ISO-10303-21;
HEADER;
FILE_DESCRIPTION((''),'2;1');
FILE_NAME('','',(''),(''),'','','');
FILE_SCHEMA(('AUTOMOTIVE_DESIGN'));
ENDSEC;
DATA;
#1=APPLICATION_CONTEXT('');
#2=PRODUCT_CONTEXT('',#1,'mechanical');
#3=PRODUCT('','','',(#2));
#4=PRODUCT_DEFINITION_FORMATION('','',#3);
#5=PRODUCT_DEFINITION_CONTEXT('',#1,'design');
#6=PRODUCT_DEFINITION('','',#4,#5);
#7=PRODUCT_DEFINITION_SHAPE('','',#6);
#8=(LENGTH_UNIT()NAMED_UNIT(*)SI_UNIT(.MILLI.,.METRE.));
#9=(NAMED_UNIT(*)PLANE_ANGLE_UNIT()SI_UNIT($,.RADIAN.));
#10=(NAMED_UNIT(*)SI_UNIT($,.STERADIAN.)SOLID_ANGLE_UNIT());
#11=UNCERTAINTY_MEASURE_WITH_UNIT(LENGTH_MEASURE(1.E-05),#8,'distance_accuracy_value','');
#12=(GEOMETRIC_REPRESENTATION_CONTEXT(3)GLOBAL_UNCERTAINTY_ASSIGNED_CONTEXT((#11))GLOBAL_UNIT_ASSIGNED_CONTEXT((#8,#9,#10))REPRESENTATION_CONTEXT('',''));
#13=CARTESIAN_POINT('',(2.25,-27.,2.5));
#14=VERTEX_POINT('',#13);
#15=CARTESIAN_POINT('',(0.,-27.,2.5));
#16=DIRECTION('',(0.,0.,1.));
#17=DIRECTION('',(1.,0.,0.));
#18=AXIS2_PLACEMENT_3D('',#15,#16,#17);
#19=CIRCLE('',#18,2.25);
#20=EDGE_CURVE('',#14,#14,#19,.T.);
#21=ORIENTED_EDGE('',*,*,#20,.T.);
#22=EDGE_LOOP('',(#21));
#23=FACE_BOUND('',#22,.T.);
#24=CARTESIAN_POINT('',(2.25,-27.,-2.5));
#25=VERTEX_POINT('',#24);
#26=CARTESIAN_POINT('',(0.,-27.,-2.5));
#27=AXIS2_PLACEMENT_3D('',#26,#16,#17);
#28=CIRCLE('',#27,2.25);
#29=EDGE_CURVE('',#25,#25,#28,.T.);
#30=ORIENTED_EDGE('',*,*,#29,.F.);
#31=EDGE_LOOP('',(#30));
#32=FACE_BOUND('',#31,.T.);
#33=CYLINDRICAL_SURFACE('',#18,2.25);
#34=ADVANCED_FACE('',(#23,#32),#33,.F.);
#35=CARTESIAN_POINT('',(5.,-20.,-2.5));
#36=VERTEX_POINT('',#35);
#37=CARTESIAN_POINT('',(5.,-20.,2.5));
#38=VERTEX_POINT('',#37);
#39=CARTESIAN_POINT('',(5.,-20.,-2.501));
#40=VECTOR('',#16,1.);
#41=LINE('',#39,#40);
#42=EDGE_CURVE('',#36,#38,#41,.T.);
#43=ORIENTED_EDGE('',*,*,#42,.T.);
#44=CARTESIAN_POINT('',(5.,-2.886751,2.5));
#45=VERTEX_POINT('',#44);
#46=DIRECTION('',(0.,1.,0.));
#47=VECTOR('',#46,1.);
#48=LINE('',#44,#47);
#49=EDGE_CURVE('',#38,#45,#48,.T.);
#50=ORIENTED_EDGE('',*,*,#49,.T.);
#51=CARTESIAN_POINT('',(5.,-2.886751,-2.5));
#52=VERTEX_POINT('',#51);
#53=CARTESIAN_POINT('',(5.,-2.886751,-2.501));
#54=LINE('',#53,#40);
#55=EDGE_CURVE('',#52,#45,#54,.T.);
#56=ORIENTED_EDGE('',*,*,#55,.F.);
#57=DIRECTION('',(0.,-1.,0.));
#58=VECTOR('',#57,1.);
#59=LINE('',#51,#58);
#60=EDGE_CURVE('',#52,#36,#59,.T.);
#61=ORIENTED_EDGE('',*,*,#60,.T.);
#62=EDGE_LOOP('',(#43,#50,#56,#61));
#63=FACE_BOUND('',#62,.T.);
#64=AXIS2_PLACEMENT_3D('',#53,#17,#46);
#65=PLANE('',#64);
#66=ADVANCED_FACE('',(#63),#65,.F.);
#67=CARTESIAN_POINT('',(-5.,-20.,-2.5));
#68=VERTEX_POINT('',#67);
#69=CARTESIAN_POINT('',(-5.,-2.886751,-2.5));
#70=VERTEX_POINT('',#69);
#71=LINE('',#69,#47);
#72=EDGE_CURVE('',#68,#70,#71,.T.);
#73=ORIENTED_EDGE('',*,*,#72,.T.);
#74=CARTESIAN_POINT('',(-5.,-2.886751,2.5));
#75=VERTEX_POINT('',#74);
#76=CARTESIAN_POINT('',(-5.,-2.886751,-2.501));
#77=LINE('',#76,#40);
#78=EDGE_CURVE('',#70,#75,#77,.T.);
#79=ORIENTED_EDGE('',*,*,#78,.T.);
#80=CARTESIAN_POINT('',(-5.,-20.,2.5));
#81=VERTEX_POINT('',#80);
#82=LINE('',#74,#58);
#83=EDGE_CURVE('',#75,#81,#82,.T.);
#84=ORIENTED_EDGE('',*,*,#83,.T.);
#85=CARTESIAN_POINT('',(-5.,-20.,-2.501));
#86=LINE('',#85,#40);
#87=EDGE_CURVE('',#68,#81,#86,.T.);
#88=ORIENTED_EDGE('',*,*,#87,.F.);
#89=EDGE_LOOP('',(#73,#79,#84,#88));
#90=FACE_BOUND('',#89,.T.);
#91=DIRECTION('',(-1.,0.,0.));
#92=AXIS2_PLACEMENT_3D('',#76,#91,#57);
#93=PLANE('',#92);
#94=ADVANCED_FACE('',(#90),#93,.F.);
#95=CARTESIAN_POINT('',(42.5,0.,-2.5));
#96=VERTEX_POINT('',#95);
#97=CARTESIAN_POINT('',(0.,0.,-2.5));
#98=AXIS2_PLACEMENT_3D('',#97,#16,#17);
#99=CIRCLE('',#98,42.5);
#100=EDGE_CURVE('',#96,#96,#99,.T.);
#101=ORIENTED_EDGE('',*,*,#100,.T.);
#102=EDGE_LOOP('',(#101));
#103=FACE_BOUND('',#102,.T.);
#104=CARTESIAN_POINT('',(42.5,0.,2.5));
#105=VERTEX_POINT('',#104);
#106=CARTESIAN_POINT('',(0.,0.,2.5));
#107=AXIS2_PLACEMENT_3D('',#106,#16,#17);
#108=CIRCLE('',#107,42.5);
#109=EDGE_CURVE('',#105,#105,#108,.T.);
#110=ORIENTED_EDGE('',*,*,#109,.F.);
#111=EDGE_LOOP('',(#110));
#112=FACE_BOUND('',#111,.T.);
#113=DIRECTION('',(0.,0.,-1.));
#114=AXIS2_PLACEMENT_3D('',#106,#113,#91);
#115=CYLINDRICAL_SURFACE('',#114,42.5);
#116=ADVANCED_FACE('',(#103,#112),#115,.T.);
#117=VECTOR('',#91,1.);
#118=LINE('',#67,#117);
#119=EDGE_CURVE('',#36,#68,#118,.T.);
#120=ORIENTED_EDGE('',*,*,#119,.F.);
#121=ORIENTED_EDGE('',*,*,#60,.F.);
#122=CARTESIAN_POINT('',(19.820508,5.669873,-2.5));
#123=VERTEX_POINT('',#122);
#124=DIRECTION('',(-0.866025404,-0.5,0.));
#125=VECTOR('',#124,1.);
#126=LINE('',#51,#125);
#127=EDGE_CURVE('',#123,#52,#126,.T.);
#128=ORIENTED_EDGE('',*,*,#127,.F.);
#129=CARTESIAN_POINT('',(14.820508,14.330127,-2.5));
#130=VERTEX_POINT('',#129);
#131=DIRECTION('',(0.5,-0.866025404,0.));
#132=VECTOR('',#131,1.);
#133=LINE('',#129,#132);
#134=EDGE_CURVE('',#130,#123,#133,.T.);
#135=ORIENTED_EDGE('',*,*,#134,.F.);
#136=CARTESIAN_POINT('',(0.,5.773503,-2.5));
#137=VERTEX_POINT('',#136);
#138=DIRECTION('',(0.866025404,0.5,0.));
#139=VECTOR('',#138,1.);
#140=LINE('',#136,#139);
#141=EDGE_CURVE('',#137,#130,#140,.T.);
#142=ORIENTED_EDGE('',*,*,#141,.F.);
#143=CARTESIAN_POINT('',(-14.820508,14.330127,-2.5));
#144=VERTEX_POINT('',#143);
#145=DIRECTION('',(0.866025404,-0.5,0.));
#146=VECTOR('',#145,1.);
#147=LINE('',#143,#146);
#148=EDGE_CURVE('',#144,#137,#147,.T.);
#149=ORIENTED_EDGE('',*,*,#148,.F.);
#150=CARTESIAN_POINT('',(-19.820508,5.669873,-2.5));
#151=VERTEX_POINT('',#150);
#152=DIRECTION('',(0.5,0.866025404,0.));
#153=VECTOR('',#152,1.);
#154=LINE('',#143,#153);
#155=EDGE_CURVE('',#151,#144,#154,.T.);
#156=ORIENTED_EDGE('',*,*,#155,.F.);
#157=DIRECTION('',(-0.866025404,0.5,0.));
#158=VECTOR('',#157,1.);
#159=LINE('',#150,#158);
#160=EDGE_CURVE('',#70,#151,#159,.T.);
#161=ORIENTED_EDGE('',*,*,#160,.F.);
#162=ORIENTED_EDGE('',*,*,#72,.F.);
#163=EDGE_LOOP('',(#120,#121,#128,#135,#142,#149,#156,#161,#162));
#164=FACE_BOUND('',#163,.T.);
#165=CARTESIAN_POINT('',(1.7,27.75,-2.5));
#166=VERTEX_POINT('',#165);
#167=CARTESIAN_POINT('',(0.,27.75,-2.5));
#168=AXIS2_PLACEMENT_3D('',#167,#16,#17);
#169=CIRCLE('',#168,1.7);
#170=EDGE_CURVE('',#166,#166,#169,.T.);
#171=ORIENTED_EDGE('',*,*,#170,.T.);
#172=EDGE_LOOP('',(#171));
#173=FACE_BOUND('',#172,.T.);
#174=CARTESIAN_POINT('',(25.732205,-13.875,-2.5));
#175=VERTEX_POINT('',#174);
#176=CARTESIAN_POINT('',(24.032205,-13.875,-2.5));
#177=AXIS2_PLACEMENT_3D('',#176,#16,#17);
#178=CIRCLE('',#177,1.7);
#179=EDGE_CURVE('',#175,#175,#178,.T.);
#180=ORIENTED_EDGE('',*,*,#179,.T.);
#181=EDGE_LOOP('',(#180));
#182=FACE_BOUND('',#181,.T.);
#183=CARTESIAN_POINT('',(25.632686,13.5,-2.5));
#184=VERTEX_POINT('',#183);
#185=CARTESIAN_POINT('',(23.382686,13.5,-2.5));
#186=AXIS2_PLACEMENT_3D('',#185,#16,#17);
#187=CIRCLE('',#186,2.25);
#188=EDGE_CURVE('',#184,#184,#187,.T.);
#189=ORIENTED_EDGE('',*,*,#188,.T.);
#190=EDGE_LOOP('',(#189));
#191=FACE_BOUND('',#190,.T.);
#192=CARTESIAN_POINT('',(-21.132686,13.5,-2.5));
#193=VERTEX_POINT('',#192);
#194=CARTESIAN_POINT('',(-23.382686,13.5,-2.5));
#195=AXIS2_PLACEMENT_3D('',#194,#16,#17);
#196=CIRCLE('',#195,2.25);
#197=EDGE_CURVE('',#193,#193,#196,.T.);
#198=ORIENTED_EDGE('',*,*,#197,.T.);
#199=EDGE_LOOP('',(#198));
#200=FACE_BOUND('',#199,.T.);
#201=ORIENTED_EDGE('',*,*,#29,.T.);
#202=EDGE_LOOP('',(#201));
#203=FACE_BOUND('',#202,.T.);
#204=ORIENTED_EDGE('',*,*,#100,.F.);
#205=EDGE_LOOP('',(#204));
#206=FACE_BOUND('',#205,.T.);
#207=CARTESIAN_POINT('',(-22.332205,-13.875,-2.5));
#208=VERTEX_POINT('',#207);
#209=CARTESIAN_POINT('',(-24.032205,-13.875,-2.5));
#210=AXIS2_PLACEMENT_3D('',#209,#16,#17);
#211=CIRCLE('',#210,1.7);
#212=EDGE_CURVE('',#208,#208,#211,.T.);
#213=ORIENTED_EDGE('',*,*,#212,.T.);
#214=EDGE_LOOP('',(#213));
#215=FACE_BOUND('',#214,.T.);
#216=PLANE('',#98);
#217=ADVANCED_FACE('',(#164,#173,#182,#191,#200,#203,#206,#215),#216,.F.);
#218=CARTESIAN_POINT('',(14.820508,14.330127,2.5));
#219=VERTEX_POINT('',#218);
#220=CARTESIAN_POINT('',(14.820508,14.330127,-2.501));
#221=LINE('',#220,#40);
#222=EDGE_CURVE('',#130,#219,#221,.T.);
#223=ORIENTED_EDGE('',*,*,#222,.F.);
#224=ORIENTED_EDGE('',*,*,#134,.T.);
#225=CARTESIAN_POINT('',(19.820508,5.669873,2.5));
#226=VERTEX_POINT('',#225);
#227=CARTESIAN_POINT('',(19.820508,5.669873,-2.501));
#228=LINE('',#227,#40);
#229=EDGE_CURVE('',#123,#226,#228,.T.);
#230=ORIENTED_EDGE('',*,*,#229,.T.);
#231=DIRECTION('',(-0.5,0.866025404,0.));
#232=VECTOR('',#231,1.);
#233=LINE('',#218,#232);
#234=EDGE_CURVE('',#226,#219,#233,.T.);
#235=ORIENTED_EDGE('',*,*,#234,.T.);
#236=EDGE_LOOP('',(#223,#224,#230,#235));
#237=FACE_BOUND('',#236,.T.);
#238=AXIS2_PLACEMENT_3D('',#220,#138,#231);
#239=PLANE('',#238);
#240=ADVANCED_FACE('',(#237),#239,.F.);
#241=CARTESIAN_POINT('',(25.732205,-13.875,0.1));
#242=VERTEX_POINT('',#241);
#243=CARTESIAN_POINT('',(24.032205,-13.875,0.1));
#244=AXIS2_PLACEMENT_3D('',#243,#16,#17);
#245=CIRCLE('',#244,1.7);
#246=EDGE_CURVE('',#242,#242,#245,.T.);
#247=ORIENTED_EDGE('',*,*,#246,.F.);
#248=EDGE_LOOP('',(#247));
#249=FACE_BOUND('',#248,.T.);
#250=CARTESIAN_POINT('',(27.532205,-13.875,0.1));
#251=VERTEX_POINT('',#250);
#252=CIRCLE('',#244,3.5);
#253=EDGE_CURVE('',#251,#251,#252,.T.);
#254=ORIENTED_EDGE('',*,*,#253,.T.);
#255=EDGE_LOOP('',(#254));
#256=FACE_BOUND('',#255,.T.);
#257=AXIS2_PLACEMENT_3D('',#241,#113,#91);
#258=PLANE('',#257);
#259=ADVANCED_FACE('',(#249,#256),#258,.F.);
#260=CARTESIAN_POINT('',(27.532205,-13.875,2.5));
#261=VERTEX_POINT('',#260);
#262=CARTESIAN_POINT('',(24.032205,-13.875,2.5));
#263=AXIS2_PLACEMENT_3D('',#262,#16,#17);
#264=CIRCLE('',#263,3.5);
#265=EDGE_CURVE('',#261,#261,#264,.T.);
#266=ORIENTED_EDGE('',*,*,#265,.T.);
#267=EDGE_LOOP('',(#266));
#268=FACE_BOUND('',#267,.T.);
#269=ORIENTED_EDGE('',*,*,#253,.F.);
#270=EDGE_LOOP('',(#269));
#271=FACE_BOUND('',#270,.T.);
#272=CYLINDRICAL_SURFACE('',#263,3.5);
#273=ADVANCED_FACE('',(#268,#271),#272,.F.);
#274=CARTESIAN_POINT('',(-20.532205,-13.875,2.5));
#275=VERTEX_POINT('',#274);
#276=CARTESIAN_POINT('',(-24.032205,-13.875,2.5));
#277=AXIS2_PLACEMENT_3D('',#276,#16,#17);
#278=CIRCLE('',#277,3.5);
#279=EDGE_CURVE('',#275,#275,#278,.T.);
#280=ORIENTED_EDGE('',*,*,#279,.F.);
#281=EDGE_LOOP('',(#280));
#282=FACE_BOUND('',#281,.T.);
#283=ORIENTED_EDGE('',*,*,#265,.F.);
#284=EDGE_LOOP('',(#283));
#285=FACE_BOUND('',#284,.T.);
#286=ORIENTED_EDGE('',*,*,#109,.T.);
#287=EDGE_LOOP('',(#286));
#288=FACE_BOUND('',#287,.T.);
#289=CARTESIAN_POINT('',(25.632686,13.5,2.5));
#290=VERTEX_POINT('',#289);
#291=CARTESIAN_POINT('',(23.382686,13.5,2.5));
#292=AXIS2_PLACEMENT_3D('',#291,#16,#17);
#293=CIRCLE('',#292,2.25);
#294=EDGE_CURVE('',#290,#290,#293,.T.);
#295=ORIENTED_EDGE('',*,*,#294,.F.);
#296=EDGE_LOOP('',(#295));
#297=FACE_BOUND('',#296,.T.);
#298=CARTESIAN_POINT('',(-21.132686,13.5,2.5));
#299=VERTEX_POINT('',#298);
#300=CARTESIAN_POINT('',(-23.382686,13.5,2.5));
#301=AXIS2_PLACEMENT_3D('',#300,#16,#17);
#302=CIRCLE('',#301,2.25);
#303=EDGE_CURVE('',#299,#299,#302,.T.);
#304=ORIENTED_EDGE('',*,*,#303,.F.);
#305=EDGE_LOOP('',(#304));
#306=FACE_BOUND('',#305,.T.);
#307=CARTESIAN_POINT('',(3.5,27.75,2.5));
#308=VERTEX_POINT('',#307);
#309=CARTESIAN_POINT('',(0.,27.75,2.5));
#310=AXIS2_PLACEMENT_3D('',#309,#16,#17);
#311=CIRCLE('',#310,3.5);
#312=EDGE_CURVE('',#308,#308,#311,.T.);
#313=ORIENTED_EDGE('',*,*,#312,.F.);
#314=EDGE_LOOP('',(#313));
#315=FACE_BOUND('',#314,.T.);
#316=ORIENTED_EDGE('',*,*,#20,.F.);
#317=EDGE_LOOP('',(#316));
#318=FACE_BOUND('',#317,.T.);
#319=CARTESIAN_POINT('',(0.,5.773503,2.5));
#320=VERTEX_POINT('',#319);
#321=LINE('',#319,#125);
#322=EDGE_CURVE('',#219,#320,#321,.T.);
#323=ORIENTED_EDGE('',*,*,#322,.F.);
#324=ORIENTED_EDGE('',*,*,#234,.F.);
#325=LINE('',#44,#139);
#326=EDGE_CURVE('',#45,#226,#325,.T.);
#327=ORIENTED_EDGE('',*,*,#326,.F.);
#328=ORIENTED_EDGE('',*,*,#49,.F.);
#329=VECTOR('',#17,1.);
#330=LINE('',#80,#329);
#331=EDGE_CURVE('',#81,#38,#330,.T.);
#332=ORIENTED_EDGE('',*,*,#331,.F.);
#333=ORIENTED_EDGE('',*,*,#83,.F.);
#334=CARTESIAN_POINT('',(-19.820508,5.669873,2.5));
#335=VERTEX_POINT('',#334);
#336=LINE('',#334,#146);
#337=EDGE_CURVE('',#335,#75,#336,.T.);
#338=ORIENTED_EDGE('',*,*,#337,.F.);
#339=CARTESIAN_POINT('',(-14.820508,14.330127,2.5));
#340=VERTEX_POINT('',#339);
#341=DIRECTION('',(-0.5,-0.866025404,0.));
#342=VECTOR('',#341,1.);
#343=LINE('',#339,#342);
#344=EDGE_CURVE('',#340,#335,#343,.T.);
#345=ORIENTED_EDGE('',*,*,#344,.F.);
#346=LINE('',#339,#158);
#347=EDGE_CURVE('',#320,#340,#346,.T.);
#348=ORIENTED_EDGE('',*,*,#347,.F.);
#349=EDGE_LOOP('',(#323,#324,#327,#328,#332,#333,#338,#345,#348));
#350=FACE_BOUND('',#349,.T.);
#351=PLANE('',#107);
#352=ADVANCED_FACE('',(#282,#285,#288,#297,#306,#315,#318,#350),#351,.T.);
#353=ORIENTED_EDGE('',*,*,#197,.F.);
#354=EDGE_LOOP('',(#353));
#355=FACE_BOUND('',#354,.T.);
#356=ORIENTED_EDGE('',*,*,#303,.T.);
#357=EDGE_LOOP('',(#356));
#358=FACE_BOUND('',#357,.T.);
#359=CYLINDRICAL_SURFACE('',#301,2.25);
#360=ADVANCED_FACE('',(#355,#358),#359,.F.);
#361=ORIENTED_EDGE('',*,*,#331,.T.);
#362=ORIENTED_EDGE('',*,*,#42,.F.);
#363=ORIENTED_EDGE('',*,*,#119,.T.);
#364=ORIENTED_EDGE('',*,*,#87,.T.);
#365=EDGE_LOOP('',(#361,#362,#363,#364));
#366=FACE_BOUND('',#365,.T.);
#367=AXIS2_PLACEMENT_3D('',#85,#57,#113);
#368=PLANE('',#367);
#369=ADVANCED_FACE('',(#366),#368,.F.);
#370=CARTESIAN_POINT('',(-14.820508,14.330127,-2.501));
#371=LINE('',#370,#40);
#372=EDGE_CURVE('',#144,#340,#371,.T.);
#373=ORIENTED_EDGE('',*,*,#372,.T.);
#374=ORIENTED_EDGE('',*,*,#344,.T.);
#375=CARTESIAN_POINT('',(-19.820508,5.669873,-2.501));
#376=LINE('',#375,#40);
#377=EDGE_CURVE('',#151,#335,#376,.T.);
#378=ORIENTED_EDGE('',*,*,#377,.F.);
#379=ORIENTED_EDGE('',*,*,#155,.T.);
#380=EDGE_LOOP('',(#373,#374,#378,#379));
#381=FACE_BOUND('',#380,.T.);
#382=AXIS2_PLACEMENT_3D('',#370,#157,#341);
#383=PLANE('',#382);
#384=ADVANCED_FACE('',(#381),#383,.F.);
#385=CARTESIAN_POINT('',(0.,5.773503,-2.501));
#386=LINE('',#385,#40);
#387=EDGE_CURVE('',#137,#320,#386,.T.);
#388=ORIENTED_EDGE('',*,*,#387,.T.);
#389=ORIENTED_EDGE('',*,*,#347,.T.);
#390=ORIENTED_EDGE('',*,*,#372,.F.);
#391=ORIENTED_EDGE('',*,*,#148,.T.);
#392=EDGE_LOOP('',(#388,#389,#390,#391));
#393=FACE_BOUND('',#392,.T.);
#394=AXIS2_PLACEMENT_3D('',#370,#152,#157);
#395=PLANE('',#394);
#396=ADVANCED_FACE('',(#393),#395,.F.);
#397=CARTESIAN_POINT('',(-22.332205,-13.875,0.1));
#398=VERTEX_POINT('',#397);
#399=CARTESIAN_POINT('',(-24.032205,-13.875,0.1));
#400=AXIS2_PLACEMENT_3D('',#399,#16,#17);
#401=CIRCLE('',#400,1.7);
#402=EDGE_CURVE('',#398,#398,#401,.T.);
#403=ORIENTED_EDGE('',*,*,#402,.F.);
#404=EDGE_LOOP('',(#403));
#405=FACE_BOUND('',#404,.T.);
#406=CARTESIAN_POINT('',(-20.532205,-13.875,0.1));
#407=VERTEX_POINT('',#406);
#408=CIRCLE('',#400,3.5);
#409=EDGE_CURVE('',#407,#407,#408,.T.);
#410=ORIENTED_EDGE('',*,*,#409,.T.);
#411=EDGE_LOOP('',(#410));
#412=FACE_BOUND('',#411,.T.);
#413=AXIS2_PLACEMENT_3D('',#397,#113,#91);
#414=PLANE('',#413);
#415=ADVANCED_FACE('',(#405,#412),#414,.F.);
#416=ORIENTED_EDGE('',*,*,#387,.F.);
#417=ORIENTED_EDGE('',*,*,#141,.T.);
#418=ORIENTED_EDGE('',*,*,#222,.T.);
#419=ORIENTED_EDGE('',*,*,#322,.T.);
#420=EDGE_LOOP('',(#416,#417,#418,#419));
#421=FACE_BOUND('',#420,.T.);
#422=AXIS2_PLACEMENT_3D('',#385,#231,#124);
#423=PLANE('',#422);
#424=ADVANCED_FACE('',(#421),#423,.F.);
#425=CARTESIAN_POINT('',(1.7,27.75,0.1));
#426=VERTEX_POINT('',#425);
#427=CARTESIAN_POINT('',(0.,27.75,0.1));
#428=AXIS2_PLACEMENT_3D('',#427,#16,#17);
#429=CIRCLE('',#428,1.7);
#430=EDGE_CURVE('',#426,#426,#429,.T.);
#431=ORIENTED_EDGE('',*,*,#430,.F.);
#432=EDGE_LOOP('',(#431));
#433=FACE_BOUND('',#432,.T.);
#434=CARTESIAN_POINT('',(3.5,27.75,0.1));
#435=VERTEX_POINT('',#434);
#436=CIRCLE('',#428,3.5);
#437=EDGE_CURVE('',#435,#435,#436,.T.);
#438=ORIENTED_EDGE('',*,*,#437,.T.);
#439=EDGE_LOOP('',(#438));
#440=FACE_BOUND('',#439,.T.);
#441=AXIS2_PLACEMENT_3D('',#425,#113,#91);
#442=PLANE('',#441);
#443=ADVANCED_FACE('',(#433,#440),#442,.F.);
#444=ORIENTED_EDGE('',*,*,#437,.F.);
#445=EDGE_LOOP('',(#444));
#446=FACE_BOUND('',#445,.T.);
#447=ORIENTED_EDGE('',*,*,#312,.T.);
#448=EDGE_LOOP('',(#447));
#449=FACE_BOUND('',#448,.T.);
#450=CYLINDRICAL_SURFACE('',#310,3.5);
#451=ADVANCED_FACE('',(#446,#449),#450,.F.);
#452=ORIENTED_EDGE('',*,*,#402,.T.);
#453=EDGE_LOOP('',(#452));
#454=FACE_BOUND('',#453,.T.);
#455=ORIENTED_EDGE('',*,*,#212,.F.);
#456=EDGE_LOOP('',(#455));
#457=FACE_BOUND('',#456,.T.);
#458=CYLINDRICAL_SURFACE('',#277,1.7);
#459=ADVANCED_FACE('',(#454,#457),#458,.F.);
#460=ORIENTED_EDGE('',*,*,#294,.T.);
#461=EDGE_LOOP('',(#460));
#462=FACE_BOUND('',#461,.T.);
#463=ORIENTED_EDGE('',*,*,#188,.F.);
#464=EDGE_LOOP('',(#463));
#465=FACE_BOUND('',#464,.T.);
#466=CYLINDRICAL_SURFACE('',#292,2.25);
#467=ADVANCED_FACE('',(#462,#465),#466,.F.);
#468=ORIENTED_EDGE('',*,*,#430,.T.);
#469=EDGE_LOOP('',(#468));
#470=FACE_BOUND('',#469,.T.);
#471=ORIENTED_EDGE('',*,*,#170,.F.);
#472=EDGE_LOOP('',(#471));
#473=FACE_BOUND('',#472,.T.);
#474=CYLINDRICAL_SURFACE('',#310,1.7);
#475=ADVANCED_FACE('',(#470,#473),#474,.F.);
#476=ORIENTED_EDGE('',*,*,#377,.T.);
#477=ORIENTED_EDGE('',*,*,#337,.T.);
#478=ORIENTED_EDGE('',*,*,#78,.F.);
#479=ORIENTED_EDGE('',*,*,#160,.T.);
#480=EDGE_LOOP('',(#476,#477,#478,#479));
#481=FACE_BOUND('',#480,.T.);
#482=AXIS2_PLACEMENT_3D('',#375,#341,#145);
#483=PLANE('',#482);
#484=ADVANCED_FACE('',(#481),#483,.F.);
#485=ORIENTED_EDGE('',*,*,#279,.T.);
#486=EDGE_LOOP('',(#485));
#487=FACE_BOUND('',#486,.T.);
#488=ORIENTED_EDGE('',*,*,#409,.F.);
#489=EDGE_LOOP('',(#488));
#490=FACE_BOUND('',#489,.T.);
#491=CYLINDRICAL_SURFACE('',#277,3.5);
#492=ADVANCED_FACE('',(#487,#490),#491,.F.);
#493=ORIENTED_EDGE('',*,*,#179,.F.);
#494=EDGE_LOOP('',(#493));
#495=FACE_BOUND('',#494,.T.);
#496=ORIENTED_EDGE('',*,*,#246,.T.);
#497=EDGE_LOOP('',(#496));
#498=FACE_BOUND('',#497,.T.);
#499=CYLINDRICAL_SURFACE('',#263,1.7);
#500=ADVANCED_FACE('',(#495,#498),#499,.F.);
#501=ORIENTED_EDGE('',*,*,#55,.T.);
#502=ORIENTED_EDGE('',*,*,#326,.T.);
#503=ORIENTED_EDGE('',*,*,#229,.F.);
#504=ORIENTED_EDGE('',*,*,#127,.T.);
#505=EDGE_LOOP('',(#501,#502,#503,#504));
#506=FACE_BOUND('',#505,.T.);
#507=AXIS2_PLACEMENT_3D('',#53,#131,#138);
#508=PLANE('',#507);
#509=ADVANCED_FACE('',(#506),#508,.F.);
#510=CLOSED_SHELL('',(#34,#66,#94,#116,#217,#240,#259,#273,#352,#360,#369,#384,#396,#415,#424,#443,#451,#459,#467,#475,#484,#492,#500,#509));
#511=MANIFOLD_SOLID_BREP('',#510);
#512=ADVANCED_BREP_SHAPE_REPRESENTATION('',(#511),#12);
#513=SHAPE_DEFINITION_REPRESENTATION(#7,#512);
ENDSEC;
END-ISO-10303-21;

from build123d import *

# Parameters (mm, degrees)
CROQUIS1_R                                           = 42.5
SALIENTE_EXTRUIR1_DEPTH                              = 2.5
REFRENTADO_PARA_TORNILLO_CON_CABEZA_TRON_D           = 3.4
REFRENTADO_PARA_TORNILLO_CON_CABEZA_TRON_CBORE_D     = 7
REFRENTADO_PARA_TORNILLO_CON_CABEZA_TRON_CBORE_DEPTH = 2.4
TALADRO_DE_MARGEN_PARA_M41_D                         = 4.5
CORTAR_EXTRUIR1_REACH                                = 62.312


with BuildPart() as part:
    # Croquis1 → Saliente-Extruir1 (new, symmetric)
    with BuildSketch(Plane.XY):
        Circle(CROQUIS1_R)
    extrude(amount=SALIENTE_EXTRUIR1_DEPTH, both=True)

    # Refrentado para tornillo con cabeza troncocónica de M31 (through all)
    with Locations(Plane.XY.offset(2.5)):
        with Locations((0, 27.75), (24.032204955, -13.875), (-24.032204955, -13.875)):
            CounterBoreHole(REFRENTADO_PARA_TORNILLO_CON_CABEZA_TRON_D / 2, REFRENTADO_PARA_TORNILLO_CON_CABEZA_TRON_CBORE_D / 2, REFRENTADO_PARA_TORNILLO_CON_CABEZA_TRON_CBORE_DEPTH)

    # Taladro de margen para M41 (through all)
    with Locations(Plane.XY.offset(2.5)):
        with Locations((0, -27), (-23.382685902, 13.5), (23.382685902, 13.5)):
            Hole(TALADRO_DE_MARGEN_PARA_M41_D / 2)

    # Croquis8 → Cortar-Extruir1 (cut, up to next)
    with BuildSketch(Plane.XY.offset(2.5), mode=Mode.PRIVATE) as cortar_extruir1_sk1:
        Polygon((-14.820508076, 14.330127019), (0, 5.773502692), (14.820508076, 14.330127019), (19.820508076, 5.669872981), (5, -2.886751346), (5, -20), (-5, -20), (-5, -2.886751346), (-19.820508076, 5.669872981), align=None)
    cortar_extruir1_tool1 = extrude(cortar_extruir1_sk1.sketch, amount=-CORTAR_EXTRUIR1_REACH, mode=Mode.PRIVATE) & part.part
    add(cortar_extruir1_tool1.solids().sort_by_distance((0, 0, 2.5))[0], mode=Mode.SUBTRACT)


solid = part.part
